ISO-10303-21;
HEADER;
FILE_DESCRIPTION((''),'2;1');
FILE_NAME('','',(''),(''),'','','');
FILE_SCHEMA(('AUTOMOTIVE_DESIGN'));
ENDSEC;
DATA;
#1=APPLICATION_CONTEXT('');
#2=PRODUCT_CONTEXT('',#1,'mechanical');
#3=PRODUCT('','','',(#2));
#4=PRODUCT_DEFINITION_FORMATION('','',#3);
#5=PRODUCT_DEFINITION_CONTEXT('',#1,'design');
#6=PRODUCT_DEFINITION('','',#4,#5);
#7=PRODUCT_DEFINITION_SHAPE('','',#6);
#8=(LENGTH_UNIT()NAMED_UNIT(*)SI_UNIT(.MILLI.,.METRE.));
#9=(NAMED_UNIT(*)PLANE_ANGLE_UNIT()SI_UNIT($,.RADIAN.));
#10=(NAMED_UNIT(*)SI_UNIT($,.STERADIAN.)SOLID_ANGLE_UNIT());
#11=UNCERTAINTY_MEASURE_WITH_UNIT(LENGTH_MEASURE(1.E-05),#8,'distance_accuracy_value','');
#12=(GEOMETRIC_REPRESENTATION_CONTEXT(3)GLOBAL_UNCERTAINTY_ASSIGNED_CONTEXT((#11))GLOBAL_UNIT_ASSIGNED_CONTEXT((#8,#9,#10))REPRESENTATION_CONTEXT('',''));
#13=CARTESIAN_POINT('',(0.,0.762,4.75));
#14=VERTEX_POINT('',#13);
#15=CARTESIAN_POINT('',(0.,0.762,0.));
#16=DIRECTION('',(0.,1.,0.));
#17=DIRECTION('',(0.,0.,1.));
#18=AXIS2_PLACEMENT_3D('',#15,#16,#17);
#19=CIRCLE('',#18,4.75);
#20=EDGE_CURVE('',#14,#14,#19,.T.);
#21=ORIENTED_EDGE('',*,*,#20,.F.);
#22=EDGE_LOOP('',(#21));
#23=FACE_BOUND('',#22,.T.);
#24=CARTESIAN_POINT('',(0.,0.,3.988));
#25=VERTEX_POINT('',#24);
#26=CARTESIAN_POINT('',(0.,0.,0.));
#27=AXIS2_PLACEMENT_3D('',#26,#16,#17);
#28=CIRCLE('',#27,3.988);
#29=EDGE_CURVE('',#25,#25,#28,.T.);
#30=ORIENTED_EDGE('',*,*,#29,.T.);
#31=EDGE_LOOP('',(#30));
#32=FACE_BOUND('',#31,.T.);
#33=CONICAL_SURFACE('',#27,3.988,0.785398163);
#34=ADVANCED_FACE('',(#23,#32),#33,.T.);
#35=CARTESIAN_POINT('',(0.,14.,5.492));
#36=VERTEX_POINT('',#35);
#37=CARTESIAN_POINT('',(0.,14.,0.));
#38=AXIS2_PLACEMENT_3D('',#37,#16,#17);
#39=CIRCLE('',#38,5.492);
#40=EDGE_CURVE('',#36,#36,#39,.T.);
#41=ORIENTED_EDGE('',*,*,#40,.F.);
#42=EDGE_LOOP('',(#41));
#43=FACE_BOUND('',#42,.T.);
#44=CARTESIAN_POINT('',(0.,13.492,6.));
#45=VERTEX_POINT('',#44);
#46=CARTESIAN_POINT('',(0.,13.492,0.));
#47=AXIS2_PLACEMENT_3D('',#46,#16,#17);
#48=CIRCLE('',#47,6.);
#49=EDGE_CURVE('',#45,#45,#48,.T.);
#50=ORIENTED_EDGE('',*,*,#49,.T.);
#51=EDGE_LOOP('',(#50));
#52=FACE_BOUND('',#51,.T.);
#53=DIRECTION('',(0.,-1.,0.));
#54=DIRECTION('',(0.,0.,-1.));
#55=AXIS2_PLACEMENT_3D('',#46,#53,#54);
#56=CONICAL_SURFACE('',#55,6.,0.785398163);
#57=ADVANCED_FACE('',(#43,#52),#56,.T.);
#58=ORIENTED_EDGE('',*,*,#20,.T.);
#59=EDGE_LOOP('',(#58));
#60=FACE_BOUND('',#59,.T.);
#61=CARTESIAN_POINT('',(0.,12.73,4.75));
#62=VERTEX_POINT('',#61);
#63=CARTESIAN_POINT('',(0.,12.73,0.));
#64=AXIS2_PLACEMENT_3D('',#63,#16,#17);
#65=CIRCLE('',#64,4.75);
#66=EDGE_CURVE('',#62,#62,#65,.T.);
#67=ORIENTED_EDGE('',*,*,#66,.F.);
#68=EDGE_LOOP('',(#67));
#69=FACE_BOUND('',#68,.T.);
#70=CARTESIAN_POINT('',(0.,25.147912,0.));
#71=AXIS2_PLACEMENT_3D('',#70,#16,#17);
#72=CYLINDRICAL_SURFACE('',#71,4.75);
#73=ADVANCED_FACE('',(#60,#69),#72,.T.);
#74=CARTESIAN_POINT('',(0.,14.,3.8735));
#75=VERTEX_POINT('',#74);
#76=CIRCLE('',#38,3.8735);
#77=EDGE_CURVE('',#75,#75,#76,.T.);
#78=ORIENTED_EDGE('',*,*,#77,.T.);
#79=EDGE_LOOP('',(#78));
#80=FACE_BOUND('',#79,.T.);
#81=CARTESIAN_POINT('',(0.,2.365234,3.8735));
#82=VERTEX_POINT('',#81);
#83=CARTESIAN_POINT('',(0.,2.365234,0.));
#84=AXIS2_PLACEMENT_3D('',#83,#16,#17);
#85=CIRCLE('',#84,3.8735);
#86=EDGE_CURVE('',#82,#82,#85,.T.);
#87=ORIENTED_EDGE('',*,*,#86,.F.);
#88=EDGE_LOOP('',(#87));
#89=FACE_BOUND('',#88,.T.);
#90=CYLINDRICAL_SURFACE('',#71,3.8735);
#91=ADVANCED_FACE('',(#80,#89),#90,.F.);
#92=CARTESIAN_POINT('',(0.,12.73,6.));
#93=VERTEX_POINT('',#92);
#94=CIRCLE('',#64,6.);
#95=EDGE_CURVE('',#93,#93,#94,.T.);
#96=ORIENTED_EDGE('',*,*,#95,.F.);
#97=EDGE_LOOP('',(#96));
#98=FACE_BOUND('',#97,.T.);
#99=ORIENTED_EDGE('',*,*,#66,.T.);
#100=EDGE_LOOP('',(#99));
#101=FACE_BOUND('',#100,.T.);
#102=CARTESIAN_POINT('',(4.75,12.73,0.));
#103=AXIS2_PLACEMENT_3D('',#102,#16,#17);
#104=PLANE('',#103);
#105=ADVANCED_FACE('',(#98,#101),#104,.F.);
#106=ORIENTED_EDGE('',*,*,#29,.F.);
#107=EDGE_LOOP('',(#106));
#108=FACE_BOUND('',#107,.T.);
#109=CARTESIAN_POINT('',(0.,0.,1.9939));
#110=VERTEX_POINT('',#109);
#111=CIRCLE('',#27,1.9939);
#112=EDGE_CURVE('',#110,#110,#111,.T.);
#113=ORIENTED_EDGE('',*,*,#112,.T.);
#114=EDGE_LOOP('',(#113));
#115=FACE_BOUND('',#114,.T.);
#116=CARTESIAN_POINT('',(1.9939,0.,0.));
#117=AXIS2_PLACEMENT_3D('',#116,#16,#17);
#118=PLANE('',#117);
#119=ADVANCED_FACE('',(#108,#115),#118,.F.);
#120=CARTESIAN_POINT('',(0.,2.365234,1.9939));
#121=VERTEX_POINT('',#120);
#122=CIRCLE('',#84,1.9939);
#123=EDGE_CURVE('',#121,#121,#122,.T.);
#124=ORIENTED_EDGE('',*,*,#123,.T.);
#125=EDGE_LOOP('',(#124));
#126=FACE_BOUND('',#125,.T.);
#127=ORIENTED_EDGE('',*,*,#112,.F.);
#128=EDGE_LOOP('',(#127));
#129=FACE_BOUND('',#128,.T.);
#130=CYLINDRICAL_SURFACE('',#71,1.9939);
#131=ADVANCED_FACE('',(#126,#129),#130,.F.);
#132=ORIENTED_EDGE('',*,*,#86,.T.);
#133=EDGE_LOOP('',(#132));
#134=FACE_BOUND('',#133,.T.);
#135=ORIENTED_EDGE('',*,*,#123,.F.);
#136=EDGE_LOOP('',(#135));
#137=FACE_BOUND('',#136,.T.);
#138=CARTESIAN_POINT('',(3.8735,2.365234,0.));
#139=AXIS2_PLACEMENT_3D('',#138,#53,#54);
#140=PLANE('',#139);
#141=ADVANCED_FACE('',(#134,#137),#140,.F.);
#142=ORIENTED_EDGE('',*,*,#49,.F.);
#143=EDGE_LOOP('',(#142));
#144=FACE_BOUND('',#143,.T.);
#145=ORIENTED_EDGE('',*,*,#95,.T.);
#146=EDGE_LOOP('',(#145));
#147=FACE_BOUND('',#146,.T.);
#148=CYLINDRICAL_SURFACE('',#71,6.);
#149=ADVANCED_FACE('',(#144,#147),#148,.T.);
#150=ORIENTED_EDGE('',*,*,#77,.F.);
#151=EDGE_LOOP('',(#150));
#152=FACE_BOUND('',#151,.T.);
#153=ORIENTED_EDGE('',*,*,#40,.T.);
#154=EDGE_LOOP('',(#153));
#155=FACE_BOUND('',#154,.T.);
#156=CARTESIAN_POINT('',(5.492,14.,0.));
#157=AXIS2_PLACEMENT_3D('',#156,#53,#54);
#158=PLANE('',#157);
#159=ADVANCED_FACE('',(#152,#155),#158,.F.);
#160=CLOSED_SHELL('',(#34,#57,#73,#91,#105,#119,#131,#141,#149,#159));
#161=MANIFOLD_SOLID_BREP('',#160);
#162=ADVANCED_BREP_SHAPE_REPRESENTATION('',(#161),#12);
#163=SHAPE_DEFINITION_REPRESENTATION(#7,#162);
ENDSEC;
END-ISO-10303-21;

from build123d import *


with BuildPart() as part:
    # Sketch1 → Revolve1 (revolve)
    with BuildSketch(Plane.XY, mode=Mode.PRIVATE) as revolve1_sk:
        Polygon((1.9939, 0), (3.988, 0), (4.75, 0.762), (4.75, 12.73), (6, 12.73), (6, 13.492), (5.492, 14), (3.8735, 14), (3.8735, 2.365234385), (1.9939, 2.365234385), align=None)
    revolve(revolve1_sk.sketch.rotate(Axis((0, 25.147912088, 0), (0, -1, 0)), 90), axis=Axis((0, 25.147912088, 0), (0, -1, 0)))


solid = part.part
